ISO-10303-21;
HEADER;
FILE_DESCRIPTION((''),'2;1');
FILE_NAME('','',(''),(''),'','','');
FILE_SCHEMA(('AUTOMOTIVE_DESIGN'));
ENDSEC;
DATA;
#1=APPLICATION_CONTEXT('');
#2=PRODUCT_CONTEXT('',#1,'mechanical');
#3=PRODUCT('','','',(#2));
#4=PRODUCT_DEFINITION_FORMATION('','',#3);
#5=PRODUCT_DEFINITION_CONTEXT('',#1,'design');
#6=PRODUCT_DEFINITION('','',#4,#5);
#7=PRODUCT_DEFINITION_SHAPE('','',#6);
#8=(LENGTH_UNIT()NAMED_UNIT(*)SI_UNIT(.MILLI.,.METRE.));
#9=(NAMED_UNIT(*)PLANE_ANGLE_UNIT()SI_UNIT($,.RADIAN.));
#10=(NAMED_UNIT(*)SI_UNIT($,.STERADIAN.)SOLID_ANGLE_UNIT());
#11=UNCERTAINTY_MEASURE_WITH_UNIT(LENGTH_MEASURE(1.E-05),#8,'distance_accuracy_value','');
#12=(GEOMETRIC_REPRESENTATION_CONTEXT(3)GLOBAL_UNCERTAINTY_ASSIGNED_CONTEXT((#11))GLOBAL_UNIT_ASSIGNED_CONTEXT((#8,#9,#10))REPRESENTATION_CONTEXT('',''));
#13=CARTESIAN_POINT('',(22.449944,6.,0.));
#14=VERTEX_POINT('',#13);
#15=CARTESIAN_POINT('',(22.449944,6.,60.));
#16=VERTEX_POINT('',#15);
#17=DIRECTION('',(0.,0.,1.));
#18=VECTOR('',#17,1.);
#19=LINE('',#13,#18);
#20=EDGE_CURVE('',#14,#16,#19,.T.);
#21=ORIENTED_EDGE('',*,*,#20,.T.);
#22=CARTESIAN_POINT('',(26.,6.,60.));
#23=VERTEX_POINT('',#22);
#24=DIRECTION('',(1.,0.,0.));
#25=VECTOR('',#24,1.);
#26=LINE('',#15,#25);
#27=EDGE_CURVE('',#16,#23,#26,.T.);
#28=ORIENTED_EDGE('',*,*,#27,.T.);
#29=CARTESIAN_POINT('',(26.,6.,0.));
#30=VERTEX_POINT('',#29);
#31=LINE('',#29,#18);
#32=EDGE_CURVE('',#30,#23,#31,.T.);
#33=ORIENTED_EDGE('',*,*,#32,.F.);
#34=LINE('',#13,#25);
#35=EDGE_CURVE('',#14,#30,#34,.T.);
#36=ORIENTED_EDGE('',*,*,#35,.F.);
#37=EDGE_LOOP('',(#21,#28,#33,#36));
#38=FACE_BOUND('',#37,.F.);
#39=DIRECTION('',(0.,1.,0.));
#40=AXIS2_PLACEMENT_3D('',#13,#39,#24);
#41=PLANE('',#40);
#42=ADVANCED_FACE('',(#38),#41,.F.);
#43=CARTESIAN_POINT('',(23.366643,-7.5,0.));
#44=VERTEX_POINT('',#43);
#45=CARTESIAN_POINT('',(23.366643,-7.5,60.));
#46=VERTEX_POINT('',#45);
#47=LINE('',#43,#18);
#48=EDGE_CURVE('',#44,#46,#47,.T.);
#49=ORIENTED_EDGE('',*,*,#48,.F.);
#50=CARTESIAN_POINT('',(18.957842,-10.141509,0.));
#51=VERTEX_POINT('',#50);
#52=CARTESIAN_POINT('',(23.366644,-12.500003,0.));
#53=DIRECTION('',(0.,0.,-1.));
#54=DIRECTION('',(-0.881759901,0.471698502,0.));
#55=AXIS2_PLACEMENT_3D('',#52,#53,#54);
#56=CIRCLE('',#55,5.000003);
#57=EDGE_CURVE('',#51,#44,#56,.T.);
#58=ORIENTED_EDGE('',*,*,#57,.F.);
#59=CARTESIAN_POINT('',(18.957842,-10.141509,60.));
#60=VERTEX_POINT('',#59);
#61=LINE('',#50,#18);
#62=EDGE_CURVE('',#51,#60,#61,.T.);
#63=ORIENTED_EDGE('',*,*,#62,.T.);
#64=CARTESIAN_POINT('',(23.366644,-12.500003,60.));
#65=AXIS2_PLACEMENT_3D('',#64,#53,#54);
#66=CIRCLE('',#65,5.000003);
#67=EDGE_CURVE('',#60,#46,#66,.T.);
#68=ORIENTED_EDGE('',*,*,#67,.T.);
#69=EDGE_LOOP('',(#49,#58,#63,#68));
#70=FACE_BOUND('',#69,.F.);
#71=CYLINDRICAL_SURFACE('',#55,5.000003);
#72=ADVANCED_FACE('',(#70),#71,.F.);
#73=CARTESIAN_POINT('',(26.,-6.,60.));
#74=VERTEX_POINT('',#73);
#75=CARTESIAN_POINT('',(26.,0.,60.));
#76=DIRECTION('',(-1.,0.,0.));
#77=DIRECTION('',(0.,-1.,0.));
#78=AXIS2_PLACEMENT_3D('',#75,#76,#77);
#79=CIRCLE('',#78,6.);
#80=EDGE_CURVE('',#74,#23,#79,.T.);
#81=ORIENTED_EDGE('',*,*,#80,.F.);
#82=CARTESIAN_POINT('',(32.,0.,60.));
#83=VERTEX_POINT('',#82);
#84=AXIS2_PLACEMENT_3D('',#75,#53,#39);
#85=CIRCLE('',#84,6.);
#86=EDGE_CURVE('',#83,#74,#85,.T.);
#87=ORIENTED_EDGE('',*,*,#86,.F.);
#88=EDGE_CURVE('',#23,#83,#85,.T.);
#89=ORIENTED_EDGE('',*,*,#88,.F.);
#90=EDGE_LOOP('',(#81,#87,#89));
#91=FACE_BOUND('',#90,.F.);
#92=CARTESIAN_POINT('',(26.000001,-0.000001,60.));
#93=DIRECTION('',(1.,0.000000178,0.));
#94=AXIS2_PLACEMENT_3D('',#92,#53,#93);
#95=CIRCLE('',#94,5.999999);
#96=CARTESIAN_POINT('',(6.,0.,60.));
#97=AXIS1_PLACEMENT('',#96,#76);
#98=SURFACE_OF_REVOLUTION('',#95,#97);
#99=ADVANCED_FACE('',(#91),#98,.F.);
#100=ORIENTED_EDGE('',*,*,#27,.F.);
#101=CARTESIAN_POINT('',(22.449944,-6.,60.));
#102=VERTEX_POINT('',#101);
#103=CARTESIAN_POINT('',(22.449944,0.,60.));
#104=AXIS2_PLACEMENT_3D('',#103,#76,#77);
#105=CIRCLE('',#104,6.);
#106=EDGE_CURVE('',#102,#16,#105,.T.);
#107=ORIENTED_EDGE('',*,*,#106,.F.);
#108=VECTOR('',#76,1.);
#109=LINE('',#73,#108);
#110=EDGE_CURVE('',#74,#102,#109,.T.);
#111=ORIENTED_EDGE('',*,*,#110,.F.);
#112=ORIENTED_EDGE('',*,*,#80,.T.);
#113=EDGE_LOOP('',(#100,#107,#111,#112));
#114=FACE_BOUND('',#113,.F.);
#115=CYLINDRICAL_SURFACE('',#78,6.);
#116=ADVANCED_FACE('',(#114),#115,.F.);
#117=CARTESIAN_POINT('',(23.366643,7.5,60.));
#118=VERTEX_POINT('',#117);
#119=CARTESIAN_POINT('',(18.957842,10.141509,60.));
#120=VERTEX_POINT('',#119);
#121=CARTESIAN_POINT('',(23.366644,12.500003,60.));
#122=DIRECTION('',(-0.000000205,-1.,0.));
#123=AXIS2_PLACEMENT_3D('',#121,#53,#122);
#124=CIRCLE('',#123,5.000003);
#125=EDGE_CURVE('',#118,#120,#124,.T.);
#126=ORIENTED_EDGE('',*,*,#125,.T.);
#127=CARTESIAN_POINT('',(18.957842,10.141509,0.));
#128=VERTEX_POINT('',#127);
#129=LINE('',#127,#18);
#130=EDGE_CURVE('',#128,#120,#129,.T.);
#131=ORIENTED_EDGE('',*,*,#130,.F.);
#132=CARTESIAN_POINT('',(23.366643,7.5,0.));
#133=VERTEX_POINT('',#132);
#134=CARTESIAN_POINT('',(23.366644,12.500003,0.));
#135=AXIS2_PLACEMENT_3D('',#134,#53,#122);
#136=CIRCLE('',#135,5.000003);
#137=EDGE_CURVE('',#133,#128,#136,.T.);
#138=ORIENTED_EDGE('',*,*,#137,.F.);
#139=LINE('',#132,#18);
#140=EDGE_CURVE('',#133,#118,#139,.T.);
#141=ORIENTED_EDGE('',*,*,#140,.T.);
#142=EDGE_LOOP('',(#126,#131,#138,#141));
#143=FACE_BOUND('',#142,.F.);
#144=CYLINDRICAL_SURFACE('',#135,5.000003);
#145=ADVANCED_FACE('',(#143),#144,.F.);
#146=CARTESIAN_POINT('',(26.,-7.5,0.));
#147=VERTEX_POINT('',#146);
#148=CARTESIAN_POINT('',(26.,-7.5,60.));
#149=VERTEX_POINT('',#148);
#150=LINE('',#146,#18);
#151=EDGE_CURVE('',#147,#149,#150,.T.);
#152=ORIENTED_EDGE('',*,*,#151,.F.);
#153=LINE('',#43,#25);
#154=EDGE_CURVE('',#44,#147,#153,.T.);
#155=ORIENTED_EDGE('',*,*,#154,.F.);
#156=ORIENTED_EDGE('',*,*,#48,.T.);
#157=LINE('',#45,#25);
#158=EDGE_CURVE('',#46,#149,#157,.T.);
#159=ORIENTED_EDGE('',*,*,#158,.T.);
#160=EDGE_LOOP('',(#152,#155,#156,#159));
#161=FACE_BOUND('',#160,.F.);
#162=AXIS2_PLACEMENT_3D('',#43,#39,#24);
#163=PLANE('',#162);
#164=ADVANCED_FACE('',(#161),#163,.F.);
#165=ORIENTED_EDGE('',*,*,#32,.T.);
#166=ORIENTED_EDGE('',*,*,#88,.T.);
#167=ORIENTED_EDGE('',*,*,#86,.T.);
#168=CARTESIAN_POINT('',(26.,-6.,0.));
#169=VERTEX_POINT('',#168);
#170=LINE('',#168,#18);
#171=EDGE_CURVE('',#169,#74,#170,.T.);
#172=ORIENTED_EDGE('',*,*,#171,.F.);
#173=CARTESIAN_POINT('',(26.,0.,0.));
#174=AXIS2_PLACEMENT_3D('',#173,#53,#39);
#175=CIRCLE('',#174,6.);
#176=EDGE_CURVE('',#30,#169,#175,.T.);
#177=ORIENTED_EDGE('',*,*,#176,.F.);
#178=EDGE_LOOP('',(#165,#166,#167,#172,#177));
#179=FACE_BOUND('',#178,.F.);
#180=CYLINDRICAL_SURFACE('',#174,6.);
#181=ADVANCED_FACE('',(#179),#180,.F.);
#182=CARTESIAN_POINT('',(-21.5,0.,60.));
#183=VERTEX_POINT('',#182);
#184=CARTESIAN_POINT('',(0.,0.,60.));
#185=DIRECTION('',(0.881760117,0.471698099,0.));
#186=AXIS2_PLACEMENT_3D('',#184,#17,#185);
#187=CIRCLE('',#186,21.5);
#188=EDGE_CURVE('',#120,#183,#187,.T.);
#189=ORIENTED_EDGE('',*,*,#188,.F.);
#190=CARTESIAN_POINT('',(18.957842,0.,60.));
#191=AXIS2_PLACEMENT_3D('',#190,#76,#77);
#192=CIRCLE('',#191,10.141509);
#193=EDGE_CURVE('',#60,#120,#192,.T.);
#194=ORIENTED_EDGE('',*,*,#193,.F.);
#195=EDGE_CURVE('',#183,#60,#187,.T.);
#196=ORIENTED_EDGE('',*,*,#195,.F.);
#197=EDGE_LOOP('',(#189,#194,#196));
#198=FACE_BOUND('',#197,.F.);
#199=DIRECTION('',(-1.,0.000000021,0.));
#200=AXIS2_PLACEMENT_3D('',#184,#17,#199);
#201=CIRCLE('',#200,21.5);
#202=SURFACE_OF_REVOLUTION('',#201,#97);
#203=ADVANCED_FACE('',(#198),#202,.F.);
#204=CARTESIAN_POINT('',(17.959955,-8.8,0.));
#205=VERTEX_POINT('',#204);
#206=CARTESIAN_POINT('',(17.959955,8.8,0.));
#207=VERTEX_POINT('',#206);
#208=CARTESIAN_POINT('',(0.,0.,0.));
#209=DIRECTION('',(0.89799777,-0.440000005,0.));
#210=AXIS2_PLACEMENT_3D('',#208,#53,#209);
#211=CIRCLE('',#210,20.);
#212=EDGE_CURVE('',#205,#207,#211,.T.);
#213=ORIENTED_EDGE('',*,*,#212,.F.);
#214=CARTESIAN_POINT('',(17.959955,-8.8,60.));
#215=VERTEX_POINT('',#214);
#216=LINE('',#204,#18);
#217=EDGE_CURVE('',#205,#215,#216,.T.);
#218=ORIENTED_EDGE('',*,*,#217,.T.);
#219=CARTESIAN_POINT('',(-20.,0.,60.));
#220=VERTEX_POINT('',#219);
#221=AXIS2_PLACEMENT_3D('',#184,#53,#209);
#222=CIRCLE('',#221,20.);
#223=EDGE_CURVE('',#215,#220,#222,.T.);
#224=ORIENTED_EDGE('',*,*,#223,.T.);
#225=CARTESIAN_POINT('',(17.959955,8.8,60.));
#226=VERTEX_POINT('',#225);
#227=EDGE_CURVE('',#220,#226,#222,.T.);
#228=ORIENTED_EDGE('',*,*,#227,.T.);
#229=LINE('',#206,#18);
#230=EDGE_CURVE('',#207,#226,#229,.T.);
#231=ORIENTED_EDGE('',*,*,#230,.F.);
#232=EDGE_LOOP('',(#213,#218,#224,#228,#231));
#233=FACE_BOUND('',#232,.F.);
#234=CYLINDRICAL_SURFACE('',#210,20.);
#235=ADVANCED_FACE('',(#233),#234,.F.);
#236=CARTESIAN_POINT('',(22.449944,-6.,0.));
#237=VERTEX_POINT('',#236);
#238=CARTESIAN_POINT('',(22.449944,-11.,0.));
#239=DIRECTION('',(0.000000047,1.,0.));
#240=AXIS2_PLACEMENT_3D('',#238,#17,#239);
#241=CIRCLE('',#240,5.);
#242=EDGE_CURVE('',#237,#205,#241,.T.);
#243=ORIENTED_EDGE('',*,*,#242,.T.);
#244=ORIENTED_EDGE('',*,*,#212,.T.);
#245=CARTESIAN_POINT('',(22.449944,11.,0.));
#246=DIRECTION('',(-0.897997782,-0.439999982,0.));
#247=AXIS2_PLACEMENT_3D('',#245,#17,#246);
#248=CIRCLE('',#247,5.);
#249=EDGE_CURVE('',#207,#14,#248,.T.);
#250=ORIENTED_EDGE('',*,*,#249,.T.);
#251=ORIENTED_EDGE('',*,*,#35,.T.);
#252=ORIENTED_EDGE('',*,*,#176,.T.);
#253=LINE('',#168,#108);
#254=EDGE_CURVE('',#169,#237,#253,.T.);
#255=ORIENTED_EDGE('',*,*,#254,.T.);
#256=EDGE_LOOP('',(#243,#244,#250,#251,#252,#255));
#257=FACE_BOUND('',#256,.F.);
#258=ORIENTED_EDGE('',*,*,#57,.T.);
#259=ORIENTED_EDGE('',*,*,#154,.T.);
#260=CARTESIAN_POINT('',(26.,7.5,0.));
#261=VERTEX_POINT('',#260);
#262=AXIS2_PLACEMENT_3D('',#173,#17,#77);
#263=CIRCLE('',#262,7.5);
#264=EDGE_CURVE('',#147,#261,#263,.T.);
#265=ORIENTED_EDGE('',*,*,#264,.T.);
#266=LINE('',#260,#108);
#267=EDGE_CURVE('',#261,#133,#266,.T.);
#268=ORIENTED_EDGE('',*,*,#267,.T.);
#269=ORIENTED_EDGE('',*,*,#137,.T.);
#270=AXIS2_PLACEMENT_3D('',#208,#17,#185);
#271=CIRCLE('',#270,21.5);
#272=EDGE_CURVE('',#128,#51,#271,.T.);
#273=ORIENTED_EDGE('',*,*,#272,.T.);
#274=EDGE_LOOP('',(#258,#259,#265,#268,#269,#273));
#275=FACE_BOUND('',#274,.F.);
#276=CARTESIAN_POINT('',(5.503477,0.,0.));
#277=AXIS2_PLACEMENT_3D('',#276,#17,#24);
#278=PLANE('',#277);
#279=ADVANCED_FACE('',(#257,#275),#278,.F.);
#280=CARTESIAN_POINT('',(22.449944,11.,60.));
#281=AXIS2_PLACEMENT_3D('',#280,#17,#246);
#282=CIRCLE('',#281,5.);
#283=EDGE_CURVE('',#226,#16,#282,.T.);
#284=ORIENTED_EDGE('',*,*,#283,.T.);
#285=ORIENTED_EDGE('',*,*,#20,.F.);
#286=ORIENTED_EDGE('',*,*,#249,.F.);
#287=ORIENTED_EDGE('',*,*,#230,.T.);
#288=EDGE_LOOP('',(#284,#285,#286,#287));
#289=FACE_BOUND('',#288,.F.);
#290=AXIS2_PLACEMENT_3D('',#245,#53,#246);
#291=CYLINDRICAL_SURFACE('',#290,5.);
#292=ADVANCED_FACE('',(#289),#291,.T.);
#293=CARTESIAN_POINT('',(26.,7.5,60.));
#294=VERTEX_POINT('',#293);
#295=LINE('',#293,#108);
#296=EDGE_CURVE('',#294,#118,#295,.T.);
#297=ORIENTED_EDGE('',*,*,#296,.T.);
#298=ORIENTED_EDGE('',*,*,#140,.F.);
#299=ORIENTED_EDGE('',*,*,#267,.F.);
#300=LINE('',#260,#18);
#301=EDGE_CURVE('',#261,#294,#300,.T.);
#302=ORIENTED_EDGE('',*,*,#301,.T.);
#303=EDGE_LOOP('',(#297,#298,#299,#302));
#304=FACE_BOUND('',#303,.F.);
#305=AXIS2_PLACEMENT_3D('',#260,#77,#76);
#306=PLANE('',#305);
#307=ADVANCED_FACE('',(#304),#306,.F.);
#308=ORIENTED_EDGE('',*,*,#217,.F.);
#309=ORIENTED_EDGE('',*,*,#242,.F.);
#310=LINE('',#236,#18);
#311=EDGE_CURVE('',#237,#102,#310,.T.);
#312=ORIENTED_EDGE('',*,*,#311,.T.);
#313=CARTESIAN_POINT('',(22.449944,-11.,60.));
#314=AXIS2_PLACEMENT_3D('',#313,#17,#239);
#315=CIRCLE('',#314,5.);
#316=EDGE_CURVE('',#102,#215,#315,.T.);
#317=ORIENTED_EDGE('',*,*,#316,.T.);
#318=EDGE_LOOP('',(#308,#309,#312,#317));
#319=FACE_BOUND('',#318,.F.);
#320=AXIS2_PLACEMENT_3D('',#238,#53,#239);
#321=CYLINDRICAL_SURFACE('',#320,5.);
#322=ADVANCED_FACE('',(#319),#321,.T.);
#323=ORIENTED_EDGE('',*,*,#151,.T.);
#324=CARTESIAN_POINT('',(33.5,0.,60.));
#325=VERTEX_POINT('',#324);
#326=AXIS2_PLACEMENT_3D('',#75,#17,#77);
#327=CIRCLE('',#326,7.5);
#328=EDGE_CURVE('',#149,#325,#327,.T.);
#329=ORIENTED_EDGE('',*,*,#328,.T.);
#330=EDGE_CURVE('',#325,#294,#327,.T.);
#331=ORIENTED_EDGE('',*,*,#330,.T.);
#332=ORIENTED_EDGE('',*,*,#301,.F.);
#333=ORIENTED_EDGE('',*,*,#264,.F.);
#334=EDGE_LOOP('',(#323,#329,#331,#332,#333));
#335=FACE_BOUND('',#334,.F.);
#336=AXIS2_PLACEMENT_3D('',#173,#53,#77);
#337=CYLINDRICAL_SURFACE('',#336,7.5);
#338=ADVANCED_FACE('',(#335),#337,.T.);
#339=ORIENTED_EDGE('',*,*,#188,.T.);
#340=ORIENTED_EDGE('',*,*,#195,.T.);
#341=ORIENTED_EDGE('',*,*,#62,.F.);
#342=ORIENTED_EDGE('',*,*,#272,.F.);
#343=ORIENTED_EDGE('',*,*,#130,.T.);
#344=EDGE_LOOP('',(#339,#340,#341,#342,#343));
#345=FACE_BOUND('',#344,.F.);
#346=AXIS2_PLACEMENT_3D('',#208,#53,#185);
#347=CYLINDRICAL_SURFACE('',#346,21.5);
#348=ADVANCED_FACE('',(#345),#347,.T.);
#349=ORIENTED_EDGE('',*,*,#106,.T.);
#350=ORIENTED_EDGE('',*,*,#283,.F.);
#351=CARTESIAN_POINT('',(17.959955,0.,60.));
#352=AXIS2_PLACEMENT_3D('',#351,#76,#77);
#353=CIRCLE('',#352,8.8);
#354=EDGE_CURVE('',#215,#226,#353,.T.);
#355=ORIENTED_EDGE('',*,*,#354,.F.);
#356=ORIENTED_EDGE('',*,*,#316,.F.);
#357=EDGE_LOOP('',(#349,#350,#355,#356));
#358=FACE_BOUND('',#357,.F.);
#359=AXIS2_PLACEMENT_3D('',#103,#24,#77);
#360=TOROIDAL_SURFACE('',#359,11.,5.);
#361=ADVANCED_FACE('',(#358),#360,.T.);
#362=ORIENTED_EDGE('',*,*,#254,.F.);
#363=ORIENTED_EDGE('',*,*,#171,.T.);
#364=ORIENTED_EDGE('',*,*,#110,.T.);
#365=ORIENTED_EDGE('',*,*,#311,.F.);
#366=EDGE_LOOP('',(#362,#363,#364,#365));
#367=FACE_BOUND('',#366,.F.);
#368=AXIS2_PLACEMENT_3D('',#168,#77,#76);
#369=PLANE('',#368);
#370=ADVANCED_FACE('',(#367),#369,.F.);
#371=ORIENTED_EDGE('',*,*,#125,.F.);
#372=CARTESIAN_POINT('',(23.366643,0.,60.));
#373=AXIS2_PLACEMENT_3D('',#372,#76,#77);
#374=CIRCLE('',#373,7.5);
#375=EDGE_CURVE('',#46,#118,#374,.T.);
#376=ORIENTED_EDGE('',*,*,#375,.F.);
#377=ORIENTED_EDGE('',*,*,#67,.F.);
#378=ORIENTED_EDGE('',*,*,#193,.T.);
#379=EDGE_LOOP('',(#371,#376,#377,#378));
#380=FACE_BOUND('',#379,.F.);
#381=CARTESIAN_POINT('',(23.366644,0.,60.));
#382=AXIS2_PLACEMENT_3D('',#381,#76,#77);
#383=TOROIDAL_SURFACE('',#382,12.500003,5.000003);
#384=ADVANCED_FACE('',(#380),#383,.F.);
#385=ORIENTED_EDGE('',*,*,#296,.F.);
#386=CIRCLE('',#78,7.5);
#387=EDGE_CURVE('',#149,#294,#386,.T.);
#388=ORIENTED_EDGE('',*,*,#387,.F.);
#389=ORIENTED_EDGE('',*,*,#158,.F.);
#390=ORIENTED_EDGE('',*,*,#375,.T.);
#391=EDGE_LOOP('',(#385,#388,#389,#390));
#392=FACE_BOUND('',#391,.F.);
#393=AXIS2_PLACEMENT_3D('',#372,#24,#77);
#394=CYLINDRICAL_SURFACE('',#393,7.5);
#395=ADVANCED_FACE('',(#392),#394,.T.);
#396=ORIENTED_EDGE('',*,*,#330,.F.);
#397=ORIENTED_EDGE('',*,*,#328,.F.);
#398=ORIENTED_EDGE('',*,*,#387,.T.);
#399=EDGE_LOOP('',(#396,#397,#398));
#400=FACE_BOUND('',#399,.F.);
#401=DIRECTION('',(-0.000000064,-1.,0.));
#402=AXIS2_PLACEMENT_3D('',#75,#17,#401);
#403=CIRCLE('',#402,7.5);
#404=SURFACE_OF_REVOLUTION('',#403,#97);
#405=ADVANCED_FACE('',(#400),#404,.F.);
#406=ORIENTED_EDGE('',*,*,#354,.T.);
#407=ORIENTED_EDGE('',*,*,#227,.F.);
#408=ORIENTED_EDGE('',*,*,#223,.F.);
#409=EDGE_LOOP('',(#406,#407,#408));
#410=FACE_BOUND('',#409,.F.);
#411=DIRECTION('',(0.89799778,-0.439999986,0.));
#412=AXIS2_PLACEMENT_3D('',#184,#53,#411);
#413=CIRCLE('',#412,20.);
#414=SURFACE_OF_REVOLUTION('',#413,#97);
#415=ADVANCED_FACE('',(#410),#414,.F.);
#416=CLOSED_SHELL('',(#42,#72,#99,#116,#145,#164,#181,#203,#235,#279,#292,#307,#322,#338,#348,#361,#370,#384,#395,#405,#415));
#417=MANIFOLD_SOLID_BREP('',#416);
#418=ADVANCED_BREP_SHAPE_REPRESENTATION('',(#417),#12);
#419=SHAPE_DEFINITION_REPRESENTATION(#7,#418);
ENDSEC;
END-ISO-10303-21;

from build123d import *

# Parameters (mm, degrees)
F1_DEPTH = 60
F4_ANGLE = -180


with BuildPart() as f1:
    # F0 (on Top) → F1 (new body)
    with BuildSketch(Plane.XY):
        with BuildLine():
            ThreePointArc((23.366643, 7.5), (20.796862, 8.210918), (18.957842, 10.141509))
            ThreePointArc((18.957842, 10.141509), (-21.5, 0), (18.957842, -10.141509))
            ThreePointArc((18.957842, -10.141509), (20.796862, -8.210918), (23.366643, -7.5))
            Line((23.366643, -7.5), (26, -7.5))
            ThreePointArc((26, -7.5), (33.5, 0), (26, 7.5))
            Line((26, 7.5), (23.366643, 7.5))
        make_face()
        with BuildLine():
            ThreePointArc((17.959955, -8.8), (-20, 0), (17.959955, 8.8))
            ThreePointArc((17.959955, 8.8), (19.804193, 6.757359), (22.449944, 6))
            Line((22.449944, 6), (26, 6))
            ThreePointArc((26, 6), (32, 0), (26, -6))
            Line((26, -6), (22.449944, -6))
            ThreePointArc((22.449944, -6), (19.804193, -6.757359), (17.959955, -8.8))
        make_face(mode=Mode.SUBTRACT)
    extrude(amount=F1_DEPTH)

    # F3 (on offset) → F4 (revolve)
    with BuildSketch(Plane.XY.offset(60)):
        with BuildLine():
            ThreePointArc((17.959955, -8.8), (-4.516685, -19.483315), (-20, 0))
            Line((-20, 0), (-21.5, 0))
            ThreePointArc((-21.5, 0), (-5.227638, -20.854779), (18.957842, -10.141509))
            ThreePointArc((18.957842, -10.141509), (20.796862, -8.210918), (23.366643, -7.5))
            Line((23.366643, -7.5), (26, -7.5))
            ThreePointArc((26, -7.5), (31.303301, -5.303301), (33.5, 0))
            Line((33.5, 0), (32, 0))
            ThreePointArc((32, 0), (30.242641, -4.242641), (26, -6))
            Line((26, -6), (22.449944, -6))
            ThreePointArc((22.449944, -6), (19.804193, -6.757359), (17.959955, -8.8))
        make_face()
    revolve(axis=Axis((6, 0, 60), (1, 0, 0)), revolution_arc=F4_ANGLE)


solid = f1.part
